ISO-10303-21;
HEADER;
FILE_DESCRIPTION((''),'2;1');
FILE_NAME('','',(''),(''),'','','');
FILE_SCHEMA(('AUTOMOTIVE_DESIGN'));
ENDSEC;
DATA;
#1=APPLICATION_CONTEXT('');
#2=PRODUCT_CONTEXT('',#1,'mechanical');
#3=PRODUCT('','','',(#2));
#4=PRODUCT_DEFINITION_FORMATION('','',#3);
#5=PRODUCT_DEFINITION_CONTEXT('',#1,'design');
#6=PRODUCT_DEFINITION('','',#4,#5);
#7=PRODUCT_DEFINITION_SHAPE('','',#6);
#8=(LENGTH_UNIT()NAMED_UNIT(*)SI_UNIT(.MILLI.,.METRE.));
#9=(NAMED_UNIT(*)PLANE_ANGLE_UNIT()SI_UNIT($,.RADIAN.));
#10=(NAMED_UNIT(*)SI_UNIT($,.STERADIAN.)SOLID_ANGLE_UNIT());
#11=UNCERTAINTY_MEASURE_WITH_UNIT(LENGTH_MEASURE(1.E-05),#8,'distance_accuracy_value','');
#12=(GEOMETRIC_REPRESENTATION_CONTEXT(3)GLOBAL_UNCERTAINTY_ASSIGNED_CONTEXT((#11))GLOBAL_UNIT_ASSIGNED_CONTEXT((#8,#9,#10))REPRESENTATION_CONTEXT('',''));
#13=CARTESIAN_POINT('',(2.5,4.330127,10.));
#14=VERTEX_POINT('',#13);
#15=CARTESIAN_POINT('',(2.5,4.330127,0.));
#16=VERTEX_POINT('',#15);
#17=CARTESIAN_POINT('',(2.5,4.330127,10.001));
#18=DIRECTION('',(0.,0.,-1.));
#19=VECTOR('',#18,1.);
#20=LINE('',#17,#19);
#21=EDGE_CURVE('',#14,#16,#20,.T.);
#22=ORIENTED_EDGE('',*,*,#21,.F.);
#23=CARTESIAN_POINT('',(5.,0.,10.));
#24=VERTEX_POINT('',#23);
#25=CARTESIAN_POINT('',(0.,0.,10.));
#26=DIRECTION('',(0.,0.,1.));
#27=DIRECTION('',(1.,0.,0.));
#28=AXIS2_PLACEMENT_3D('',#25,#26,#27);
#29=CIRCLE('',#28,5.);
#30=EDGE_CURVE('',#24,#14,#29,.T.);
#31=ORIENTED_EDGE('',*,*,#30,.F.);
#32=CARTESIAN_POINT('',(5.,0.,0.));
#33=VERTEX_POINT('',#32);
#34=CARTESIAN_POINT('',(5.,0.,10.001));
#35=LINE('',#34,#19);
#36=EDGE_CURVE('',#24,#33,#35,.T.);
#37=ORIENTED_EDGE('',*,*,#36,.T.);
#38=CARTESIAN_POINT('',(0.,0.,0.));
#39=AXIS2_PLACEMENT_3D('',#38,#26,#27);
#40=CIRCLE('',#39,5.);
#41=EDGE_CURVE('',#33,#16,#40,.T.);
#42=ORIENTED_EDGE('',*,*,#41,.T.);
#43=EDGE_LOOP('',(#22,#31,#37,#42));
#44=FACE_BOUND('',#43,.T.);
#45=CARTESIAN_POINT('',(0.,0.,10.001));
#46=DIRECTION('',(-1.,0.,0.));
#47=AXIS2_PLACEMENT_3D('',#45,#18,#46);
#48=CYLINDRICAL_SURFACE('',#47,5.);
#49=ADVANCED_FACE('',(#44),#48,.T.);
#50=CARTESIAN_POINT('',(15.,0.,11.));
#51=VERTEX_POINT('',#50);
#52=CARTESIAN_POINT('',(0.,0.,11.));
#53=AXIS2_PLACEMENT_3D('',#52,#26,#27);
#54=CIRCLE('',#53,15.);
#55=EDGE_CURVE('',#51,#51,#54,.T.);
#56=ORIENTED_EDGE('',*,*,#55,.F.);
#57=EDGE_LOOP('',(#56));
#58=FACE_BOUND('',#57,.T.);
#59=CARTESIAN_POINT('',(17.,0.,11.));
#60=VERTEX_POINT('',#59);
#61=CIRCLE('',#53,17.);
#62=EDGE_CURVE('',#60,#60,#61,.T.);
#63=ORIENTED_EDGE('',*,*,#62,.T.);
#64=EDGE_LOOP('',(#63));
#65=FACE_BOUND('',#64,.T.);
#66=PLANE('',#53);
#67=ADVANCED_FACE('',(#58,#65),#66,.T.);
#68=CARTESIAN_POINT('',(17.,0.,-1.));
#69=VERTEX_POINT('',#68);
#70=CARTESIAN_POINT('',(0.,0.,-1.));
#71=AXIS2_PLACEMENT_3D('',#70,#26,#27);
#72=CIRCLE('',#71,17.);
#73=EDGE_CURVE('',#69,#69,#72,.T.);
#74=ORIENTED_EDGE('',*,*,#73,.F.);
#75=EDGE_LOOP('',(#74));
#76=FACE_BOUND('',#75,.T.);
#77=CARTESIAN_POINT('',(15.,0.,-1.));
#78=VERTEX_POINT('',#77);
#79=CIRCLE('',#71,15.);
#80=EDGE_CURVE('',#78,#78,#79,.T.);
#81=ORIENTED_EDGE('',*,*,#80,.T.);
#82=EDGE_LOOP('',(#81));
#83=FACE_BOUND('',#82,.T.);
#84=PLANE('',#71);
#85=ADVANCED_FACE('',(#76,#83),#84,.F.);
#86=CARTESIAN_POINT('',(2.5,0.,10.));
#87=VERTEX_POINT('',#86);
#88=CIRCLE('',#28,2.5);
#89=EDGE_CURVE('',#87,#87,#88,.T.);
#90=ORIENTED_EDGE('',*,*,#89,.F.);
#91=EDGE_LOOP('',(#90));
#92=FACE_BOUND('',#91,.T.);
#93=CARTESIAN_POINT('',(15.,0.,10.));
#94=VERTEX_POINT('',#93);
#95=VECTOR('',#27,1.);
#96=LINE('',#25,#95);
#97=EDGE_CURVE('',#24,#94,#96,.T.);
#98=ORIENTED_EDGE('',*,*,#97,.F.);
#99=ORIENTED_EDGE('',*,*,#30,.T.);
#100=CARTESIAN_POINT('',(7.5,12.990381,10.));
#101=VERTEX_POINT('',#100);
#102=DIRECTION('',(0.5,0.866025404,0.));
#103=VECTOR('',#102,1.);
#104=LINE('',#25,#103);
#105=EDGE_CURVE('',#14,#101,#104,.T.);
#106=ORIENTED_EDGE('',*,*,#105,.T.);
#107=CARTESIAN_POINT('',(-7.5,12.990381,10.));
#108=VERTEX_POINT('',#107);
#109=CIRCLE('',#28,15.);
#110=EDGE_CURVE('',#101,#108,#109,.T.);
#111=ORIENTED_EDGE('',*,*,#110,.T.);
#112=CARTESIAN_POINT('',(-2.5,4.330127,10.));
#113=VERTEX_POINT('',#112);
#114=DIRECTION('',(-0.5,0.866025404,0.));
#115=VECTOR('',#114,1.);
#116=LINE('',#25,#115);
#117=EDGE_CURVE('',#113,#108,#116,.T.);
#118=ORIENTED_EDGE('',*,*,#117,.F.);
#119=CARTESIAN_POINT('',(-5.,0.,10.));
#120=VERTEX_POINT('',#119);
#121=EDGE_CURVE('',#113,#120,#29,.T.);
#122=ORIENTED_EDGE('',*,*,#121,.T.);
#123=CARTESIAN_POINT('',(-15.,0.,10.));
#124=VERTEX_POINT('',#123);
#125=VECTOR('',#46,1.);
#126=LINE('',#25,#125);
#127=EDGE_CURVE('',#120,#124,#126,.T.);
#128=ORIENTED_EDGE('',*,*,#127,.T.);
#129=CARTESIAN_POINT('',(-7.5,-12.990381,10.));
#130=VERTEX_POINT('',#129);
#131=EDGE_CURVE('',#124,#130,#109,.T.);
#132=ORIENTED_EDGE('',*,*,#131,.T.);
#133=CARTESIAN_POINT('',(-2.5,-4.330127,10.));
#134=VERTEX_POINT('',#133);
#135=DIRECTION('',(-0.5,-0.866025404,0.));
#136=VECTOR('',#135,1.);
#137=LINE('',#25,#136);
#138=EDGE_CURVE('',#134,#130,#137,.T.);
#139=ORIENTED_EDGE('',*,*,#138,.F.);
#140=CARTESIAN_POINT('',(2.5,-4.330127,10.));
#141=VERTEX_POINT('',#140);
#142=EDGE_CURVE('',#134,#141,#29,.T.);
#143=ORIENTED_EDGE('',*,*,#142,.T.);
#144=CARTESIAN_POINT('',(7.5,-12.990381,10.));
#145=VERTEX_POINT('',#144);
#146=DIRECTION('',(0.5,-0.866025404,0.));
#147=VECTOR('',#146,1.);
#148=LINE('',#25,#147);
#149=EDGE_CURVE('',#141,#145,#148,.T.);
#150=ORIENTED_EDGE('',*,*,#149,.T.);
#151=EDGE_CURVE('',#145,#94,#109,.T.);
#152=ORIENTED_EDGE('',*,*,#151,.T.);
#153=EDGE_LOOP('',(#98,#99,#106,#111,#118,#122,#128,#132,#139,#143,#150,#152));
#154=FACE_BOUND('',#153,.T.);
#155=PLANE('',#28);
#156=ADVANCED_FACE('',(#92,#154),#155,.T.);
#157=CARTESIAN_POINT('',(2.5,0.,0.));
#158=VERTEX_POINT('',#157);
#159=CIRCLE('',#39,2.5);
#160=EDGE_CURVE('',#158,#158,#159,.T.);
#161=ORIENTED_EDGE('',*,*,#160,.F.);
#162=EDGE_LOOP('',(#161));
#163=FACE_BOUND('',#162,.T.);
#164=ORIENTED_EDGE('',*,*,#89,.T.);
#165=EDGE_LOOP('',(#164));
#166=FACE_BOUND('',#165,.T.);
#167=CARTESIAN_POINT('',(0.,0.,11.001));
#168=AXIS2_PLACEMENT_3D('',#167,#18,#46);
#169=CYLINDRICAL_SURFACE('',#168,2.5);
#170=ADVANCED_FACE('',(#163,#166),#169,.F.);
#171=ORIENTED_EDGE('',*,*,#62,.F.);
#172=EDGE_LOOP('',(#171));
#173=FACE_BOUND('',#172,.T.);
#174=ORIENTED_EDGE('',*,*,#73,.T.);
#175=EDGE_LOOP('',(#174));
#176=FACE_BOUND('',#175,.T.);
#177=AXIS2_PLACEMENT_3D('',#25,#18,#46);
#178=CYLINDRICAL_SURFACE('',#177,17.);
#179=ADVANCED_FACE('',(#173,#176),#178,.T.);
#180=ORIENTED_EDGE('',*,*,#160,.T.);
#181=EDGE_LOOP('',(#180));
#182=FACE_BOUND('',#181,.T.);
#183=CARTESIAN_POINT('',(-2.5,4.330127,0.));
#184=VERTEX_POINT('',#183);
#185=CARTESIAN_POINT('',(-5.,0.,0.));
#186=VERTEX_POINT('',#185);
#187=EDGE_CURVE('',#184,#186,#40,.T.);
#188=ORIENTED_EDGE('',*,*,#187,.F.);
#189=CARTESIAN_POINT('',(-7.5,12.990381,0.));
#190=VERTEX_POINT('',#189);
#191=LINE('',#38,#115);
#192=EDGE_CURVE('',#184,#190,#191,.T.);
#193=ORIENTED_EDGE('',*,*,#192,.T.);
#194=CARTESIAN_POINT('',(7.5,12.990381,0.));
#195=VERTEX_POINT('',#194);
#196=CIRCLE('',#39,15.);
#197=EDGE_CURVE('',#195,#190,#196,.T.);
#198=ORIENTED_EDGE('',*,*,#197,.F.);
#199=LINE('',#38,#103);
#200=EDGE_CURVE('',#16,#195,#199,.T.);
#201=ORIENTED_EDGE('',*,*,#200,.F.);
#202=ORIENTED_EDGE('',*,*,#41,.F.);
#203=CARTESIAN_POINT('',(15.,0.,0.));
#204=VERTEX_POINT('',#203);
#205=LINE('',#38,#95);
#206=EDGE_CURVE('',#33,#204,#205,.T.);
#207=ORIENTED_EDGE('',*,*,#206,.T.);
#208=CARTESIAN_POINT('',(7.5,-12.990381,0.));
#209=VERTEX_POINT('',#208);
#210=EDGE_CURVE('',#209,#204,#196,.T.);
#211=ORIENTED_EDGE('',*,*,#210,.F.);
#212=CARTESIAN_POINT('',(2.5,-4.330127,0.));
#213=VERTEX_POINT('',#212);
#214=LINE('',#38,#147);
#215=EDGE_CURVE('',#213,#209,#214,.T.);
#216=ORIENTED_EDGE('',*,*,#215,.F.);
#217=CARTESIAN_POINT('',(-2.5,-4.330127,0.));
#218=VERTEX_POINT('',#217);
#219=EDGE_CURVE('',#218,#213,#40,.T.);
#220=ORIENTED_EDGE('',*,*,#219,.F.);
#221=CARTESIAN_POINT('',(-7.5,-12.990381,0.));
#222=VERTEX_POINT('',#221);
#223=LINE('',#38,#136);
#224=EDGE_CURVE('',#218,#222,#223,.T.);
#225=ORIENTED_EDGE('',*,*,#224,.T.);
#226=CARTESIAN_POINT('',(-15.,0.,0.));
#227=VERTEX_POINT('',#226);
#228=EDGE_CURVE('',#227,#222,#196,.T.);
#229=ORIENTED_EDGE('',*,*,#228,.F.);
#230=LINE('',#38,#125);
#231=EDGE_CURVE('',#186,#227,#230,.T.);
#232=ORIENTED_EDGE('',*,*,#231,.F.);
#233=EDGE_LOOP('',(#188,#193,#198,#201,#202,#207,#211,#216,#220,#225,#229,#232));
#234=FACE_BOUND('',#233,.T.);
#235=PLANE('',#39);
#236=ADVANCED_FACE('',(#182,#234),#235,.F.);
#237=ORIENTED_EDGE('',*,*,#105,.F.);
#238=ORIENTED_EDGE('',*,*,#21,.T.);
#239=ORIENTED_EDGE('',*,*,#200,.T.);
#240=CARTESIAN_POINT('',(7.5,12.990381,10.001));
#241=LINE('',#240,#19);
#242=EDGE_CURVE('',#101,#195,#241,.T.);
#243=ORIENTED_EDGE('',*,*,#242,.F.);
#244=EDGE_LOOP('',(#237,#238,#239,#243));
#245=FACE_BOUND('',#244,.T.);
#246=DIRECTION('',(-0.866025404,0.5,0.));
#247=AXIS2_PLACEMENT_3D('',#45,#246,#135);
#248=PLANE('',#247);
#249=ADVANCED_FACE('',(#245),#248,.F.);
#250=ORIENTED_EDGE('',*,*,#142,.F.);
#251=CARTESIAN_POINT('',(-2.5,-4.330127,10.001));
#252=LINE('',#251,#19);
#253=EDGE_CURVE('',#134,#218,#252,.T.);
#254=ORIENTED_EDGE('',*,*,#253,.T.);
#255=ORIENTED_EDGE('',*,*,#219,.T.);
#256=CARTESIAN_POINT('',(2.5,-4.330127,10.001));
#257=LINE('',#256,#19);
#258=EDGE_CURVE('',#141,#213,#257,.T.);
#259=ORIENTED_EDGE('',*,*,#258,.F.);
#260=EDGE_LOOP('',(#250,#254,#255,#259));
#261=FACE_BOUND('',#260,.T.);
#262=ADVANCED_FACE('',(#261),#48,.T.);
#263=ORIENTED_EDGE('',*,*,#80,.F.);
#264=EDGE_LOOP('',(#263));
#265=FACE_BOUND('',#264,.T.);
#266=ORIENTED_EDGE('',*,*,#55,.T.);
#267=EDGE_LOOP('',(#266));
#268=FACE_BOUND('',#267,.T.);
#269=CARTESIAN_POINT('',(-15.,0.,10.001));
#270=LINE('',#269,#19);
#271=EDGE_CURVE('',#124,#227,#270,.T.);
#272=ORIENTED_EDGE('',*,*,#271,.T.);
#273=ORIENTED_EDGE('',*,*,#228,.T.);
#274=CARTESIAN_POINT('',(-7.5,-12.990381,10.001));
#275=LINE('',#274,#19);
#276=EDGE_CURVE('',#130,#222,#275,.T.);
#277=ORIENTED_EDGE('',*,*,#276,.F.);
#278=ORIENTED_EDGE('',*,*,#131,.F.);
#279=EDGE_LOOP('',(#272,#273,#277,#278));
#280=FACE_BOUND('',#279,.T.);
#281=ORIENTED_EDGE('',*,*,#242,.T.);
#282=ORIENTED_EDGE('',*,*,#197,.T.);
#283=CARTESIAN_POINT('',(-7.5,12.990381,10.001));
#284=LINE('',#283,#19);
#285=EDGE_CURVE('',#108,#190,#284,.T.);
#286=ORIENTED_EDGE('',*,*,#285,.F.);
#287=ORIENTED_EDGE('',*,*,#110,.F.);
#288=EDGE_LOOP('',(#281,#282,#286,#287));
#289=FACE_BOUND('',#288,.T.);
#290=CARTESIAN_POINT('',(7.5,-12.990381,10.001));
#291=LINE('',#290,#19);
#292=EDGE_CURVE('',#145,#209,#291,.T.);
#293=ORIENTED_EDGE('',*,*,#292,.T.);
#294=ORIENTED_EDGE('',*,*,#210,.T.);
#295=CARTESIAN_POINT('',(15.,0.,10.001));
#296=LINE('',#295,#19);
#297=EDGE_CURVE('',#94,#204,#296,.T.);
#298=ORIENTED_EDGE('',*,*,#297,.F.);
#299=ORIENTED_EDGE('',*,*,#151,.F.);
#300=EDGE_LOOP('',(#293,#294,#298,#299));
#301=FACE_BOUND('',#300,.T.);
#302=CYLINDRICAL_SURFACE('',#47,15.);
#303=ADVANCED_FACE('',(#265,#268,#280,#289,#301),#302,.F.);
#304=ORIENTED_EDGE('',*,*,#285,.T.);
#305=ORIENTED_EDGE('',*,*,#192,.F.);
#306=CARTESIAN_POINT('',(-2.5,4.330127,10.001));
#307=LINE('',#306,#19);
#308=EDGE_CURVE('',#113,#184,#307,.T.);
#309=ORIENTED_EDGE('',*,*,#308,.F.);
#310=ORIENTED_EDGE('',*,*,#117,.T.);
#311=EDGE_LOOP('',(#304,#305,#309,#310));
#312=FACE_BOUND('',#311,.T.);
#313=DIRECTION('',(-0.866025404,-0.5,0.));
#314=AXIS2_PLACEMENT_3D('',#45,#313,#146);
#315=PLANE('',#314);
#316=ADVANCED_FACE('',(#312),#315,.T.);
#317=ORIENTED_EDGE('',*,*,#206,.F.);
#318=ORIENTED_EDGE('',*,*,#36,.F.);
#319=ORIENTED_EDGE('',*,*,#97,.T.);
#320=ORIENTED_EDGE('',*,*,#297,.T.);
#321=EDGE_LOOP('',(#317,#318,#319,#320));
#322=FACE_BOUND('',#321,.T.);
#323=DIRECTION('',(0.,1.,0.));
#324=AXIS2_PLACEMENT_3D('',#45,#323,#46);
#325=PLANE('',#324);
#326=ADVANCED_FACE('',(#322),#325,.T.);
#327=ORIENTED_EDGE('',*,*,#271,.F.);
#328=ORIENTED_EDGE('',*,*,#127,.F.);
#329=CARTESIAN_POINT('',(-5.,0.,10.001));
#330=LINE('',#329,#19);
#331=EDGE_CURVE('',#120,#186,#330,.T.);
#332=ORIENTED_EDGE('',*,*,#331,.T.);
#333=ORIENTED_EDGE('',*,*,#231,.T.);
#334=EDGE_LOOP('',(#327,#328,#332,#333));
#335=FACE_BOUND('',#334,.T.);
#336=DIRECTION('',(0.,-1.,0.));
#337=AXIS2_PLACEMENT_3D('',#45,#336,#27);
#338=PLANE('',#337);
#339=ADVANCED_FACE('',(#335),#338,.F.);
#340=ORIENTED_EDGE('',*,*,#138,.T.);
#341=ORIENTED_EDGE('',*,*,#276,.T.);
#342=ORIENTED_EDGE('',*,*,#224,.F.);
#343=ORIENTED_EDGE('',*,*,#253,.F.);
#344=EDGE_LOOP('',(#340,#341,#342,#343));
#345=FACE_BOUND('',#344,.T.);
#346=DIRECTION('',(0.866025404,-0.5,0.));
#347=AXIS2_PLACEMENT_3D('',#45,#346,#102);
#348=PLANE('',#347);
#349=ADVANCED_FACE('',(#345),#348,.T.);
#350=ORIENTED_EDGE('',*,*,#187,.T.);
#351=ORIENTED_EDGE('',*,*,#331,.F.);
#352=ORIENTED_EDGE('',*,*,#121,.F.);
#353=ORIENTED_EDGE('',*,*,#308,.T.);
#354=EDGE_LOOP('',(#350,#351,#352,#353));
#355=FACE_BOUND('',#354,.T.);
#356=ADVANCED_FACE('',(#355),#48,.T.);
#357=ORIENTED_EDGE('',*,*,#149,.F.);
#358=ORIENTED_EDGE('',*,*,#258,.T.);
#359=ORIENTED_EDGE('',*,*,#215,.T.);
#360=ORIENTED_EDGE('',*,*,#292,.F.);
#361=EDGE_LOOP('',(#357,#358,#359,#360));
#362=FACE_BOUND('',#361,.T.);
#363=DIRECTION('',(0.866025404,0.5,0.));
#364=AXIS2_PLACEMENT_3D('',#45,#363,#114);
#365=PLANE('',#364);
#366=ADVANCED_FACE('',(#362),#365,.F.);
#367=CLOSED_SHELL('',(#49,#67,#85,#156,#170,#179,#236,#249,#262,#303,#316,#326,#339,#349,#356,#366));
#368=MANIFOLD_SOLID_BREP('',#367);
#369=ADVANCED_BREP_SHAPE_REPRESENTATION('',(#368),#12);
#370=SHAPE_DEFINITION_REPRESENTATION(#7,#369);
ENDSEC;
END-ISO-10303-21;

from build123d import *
from build123d.topology import SkipClean

# Parameters (mm, degrees)
SKETCH1_R                = 17
BOSS_EXTRUDE1_DEPTH      = 10
CUT_EXTRUDE2_REACH       = 28.038
BOSS_EXTRUDE2_DEPTH      = 11
BOSS_EXTRUDE2_DEPTH_BACK = 1
SKETCH1_6_R              = 17
CUT_EXTRUDE3_REACH       = 28.439
SKETCH1_7_R              = 2.5


with BuildPart() as part:
    # Sketch1 → Boss-Extrude1 (new body)
    with BuildSketch(Plane.XY):
        Circle(SKETCH1_R)
    extrude(amount=BOSS_EXTRUDE1_DEPTH)

    # Sketch1<5> → Cut-Extrude2 (cut, up to next)
    with BuildSketch(Plane.XY, mode=Mode.PRIVATE) as cut_extrude2_sk1:
        with BuildLine():
            Line((7.5, 12.990381057), (2.5, 4.330127019))
            ThreePointArc((2.5, 4.330127019), (4.330127019, 2.5), (5, 0))
            Line((5, 0), (15, 0))
            ThreePointArc((15, 0), (12.990381057, 7.5), (7.5, 12.990381057))
        make_face()
    cut_extrude2_tool1 = extrude(cut_extrude2_sk1.sketch, amount=CUT_EXTRUDE2_REACH, mode=Mode.PRIVATE) & part.part
    # Sketch1<5> → Cut-Extrude2 (cut, up to next)
    with BuildSketch(Plane.XY, mode=Mode.PRIVATE) as cut_extrude2_sk2:
        with BuildLine():
            ThreePointArc((-5, 0), (-4.330127019, 2.5), (-2.5, 4.330127019))
            Line((-2.5, 4.330127019), (-7.5, 12.990381057))
            ThreePointArc((-7.5, 12.990381057), (-12.990381057, 7.5), (-15, 0))
            Line((-15, 0), (-5, 0))
        make_face()
    cut_extrude2_tool2 = extrude(cut_extrude2_sk2.sketch, amount=CUT_EXTRUDE2_REACH, mode=Mode.PRIVATE) & part.part
    # Sketch1<5> → Cut-Extrude2 (cut, up to next)
    with BuildSketch(Plane.XY, mode=Mode.PRIVATE) as cut_extrude2_sk3:
        with BuildLine():
            Line((7.5, -12.990381057), (2.5, -4.330127019))
            ThreePointArc((2.5, -4.330127019), (0, -5), (-2.5, -4.330127019))
            Line((-2.5, -4.330127019), (-7.5, -12.990381057))
            ThreePointArc((-7.5, -12.990381057), (0, -15), (7.5, -12.990381057))
        make_face()
    cut_extrude2_tool3 = extrude(cut_extrude2_sk3.sketch, amount=CUT_EXTRUDE2_REACH, mode=Mode.PRIVATE) & part.part
    add(cut_extrude2_tool1.solids().sort_by_distance((8.959095, 5.172536, 0))[0], mode=Mode.SUBTRACT)
    add(cut_extrude2_tool2.solids().sort_by_distance((-8.959095, 5.172536, 0))[0], mode=Mode.SUBTRACT)
    add(cut_extrude2_tool3.solids().sort_by_distance((0, -10.345071, 0))[0], mode=Mode.SUBTRACT)

    # Sketch1<6> → Boss-Extrude2 (add, two sides: drawn at the far end of the back side and taken through both)
    with SkipClean():  # the faces are left unmerged after this step: merging them gives an invalid solid
        with BuildSketch(Plane.XY.offset(-BOSS_EXTRUDE2_DEPTH_BACK)):
            Circle(SKETCH1_6_R)
            with BuildLine():
                ThreePointArc((-7.5, 12.990381057), (0, 15), (7.5, 12.990381057))
                ThreePointArc((7.5, 12.990381057), (12.990381057, 7.5), (15, 0))
                ThreePointArc((15, 0), (12.990381057, -7.5), (7.5, -12.990381057))
                ThreePointArc((7.5, -12.990381057), (0, -15), (-7.5, -12.990381057))
                ThreePointArc((-7.5, -12.990381057), (-12.990381057, -7.5), (-15, 0))
                ThreePointArc((-15, 0), (-12.990381057, 7.5), (-7.5, 12.990381057))
            make_face(mode=Mode.SUBTRACT)
        extrude(amount=BOSS_EXTRUDE2_DEPTH + BOSS_EXTRUDE2_DEPTH_BACK)

    # Sketch1<7> → Cut-Extrude3 (cut, up to next)
    with BuildSketch(Plane.XY, mode=Mode.PRIVATE) as cut_extrude3_sk1:
        Circle(SKETCH1_7_R)
    cut_extrude3_tool1 = extrude(cut_extrude3_sk1.sketch, amount=CUT_EXTRUDE3_REACH, mode=Mode.PRIVATE) & part.part
    add(cut_extrude3_tool1.solids().sort_by_distance((0, 0, 0))[0], mode=Mode.SUBTRACT)


solid = part.part
